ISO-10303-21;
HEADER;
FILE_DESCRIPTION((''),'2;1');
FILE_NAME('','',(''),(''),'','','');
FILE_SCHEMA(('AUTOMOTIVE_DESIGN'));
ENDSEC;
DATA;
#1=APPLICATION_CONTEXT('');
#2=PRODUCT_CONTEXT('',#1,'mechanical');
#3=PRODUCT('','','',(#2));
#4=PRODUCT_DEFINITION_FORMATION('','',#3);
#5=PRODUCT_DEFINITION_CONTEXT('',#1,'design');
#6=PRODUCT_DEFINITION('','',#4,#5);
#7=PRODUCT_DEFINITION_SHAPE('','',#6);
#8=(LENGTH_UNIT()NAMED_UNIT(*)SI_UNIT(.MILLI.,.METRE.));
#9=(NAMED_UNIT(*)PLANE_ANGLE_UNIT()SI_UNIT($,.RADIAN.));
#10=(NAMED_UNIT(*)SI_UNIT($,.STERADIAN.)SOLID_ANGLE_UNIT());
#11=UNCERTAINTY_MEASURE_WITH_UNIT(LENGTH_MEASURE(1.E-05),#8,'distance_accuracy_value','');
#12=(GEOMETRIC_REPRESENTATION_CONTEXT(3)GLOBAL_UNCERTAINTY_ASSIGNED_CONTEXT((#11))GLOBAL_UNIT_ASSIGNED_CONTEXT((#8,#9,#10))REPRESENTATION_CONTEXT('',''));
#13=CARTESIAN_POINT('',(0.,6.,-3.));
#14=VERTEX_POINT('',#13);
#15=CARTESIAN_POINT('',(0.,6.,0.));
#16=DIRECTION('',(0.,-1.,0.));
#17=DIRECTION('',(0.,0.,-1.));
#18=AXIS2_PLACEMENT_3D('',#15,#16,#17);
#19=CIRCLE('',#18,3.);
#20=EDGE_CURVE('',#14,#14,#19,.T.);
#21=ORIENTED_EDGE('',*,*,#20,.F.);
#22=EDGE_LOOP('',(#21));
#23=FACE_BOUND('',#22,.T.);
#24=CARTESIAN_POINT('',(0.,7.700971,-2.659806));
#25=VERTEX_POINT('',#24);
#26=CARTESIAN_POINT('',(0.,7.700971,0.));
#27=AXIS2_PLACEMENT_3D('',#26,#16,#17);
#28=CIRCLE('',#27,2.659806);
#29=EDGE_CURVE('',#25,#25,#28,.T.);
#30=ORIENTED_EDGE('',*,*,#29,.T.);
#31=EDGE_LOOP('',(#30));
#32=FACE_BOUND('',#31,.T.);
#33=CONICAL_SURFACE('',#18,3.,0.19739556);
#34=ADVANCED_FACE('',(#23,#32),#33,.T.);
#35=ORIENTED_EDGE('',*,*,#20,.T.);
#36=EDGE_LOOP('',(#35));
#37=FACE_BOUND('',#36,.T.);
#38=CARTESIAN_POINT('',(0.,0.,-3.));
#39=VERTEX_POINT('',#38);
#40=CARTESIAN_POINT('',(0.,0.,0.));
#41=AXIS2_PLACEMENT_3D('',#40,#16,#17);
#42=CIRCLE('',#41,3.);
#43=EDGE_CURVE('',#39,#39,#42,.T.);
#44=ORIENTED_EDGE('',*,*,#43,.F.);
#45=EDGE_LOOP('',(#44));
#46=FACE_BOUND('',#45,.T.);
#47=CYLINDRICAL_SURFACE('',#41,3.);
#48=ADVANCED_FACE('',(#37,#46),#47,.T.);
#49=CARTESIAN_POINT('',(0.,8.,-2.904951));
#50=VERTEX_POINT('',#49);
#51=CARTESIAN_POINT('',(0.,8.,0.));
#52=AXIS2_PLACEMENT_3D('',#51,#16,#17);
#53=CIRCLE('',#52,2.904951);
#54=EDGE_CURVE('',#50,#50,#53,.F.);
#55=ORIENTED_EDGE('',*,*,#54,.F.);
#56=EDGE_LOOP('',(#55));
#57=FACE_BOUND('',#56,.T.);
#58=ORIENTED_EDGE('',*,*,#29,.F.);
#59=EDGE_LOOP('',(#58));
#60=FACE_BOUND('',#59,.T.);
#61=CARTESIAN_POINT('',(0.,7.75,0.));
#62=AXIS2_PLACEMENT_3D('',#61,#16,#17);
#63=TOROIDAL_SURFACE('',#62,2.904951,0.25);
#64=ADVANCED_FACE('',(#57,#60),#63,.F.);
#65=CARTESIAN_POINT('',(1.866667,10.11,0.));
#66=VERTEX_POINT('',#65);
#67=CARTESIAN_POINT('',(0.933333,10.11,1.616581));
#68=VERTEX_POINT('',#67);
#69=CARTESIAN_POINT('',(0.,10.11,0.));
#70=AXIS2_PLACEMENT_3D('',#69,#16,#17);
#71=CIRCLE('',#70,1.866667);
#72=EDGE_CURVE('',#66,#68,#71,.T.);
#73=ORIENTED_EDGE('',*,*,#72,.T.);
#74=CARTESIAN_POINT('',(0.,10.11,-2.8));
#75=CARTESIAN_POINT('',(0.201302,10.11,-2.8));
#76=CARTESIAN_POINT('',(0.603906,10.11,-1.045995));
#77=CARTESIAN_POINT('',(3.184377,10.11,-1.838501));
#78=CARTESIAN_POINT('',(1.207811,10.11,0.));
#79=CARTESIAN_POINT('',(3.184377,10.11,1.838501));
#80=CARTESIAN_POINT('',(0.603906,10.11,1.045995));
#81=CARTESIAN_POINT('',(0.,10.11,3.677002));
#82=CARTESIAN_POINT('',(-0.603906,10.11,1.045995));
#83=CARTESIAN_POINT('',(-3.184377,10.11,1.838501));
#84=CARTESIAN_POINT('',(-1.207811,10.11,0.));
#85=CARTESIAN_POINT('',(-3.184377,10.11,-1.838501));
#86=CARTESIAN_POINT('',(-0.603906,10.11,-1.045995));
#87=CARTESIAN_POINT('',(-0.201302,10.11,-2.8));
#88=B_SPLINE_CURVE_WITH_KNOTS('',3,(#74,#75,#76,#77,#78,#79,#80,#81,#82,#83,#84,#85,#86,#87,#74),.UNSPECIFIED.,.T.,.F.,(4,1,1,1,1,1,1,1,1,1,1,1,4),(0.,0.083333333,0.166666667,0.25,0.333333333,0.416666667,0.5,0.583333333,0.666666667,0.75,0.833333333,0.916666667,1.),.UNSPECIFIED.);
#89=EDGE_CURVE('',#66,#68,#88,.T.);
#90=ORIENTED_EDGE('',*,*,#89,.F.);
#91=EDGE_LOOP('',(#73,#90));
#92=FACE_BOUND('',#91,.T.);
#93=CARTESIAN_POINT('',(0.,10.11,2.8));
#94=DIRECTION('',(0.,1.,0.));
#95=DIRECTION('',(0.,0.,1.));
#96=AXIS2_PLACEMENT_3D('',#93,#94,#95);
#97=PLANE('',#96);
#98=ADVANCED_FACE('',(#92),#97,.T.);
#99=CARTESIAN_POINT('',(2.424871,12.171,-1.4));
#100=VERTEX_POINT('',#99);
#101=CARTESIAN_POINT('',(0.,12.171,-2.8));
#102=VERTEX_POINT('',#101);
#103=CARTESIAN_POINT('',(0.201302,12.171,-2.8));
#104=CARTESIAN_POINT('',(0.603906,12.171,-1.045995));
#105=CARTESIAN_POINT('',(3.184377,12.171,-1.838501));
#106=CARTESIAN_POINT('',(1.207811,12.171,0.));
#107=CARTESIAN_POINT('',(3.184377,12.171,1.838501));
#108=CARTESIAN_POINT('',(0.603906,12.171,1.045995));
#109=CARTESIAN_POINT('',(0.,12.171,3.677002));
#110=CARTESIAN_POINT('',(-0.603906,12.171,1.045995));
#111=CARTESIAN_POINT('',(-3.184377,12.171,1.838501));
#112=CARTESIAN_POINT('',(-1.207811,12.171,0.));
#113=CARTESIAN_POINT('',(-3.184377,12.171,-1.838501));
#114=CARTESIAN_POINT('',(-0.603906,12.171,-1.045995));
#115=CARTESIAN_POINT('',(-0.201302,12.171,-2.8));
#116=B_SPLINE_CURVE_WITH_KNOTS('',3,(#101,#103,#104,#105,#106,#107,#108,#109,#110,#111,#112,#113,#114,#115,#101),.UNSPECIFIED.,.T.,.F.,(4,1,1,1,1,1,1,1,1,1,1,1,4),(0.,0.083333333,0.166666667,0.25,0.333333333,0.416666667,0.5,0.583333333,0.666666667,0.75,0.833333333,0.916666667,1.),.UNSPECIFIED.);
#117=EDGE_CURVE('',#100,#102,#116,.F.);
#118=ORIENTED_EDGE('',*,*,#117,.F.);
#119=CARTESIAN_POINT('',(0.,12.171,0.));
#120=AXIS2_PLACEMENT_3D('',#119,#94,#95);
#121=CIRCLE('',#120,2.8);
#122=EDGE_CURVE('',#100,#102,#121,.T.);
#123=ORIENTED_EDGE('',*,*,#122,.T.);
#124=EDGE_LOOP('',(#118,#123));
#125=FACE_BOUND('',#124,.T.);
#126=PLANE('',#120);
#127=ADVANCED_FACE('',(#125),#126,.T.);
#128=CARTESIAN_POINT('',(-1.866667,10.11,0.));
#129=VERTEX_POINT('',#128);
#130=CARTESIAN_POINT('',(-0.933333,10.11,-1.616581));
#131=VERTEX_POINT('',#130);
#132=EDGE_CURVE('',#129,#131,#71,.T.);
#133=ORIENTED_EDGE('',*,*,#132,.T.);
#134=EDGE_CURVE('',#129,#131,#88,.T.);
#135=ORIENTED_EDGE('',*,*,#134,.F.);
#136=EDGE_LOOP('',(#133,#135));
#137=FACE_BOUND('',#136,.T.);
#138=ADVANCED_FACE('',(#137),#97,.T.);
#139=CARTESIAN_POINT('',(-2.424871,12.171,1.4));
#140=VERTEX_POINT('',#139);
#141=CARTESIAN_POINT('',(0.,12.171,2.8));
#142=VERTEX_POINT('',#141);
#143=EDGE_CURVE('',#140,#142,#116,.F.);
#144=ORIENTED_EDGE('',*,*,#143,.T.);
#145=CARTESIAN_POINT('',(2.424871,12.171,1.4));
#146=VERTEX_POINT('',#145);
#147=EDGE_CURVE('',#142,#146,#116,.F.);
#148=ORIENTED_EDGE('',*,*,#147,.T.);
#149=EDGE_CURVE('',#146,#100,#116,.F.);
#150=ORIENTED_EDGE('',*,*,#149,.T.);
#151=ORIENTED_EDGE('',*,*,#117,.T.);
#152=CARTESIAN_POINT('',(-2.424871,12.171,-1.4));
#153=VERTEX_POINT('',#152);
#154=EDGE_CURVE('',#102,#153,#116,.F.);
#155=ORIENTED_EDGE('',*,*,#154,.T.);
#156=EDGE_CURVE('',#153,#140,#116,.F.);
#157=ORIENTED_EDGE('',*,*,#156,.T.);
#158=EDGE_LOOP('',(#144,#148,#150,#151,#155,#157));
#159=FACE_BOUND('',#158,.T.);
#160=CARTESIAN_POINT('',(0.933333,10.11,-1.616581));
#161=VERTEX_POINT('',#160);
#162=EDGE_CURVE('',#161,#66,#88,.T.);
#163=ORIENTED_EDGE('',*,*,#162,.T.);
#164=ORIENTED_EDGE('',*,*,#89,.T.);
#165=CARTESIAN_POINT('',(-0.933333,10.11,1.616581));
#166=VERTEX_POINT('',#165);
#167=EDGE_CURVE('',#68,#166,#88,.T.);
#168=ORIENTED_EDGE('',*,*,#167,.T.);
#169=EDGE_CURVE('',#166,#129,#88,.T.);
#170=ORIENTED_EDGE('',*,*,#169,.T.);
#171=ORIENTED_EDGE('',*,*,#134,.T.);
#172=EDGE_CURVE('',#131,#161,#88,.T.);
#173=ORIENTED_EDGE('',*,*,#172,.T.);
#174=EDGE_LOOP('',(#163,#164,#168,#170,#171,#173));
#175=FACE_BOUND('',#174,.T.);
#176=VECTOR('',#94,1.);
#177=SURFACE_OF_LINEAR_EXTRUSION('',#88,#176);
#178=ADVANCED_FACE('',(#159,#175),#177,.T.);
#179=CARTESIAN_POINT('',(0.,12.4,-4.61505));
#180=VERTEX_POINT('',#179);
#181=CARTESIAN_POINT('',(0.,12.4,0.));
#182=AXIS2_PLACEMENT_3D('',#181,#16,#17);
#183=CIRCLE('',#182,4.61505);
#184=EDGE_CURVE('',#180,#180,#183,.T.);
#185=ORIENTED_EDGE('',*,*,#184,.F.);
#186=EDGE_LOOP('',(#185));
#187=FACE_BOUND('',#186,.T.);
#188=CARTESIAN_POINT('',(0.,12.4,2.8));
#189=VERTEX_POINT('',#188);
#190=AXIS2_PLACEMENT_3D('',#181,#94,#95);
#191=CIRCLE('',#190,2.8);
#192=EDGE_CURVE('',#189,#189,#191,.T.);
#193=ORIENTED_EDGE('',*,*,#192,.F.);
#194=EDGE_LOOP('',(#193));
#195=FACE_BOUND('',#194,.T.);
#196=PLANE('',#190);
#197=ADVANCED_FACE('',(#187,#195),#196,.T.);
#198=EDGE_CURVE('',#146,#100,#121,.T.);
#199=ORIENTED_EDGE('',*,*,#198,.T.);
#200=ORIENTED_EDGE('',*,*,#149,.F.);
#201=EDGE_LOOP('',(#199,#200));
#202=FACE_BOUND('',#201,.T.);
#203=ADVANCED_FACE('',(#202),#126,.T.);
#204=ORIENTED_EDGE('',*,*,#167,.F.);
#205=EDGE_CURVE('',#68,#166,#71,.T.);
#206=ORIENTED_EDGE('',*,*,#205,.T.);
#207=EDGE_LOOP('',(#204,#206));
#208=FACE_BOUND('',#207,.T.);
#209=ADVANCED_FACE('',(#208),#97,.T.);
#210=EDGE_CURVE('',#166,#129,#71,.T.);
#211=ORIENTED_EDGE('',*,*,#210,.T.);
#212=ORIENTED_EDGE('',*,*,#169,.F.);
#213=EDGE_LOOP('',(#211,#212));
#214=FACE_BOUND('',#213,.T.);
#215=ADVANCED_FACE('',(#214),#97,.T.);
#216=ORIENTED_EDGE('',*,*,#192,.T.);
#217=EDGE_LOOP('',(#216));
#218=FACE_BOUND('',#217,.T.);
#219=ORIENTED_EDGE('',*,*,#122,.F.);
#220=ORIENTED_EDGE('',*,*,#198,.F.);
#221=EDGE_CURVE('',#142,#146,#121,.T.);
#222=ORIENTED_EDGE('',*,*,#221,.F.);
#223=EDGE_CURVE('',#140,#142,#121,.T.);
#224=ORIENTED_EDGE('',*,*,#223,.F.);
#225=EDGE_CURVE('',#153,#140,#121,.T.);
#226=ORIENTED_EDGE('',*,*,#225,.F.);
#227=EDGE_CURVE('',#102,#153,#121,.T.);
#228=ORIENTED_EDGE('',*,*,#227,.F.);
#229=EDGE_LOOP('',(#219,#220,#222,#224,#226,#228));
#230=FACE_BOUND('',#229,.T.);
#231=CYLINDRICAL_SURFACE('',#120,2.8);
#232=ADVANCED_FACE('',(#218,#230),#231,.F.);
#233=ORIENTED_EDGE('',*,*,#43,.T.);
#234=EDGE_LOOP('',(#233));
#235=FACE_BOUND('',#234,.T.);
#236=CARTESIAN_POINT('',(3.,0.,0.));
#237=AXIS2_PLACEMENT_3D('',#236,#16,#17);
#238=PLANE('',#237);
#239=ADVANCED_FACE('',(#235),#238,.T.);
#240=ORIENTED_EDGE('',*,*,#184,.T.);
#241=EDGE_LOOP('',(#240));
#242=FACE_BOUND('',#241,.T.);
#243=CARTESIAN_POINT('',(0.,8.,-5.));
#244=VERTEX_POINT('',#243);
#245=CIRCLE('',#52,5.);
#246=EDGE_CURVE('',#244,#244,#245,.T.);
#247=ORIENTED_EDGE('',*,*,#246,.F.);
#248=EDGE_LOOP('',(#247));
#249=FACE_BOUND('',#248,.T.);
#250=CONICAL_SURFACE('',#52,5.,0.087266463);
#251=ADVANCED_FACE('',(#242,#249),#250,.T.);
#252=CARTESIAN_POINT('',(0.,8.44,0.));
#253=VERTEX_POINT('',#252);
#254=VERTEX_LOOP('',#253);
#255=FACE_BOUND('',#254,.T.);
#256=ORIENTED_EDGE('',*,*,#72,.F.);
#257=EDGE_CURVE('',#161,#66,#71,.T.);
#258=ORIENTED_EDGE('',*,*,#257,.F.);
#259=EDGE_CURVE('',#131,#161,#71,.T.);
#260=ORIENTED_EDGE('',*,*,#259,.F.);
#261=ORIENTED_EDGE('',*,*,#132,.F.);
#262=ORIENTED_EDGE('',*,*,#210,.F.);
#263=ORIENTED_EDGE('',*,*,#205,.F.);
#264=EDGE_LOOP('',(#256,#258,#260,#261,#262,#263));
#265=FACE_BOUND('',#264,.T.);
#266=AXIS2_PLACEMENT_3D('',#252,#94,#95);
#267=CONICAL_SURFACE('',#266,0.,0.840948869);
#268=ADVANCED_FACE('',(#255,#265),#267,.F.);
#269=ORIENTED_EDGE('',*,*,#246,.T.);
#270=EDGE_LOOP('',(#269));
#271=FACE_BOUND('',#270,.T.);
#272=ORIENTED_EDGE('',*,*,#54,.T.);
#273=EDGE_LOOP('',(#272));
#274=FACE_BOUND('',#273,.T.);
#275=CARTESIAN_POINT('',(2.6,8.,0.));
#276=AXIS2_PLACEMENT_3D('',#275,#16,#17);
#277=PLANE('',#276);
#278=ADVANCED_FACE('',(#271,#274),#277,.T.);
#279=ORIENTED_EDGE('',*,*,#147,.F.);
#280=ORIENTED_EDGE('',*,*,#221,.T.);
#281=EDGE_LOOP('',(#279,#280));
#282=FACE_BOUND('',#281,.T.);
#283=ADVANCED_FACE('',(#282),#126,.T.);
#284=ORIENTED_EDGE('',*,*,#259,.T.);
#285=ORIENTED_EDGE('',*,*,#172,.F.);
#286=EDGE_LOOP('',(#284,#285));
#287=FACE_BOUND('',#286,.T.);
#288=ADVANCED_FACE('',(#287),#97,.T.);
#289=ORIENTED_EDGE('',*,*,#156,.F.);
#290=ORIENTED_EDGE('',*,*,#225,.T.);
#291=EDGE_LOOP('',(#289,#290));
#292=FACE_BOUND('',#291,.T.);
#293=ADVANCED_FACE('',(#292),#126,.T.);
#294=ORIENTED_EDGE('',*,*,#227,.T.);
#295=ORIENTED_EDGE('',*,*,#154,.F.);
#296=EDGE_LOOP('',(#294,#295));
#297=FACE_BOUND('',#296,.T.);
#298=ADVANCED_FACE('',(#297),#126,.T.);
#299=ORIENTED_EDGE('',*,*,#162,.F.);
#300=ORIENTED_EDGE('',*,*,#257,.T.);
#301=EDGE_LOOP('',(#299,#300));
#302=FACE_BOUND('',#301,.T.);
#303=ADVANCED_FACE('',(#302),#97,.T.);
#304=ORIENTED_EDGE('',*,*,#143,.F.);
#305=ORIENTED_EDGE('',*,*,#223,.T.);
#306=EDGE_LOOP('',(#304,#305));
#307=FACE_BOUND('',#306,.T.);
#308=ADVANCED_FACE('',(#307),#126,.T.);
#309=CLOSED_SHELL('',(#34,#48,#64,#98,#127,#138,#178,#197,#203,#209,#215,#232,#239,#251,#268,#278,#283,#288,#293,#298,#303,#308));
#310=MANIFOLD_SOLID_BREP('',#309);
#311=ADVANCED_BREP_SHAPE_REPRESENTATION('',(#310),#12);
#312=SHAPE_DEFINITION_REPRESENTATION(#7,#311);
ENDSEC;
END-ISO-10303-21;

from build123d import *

# Parameters (mm, degrees)
FILLET1_R                 = 0.25
SOCKET_CUT_EXTRUDE1_DEPTH = 2.29
SKETCH3_R                 = 2.8
SOCKET_CUT_EXTRUDE2_DEPTH = 0.229


with BuildPart() as part:
    # Sketch1 → Body-Revolve (revolve)
    with BuildSketch(Plane.XY, mode=Mode.PRIVATE) as body_revolve_sk:
        Polygon((0, 12.4), (4.61504988, 12.4), (5, 8), (3, 8), (2.6, 8), (3, 6), (3, 0), (0, 0), align=None)
    revolve(body_revolve_sk.sketch.rotate(Axis((0, 0, 0), (0, 1, 0)), 90), axis=Axis((0, 0, 0), (0, 1, 0)))

    # Fillet1
    fillet1_edges = [part.edges().sort_by_distance(p)[0] for p in [
        (0, 8, 2.6),
    ]]
    fillet(fillet1_edges, radius=FILLET1_R)

    # Sketch2 → Socket-Cut-Extrude1 (cut)
    with BuildSketch(Plane(origin=(0, 12.4, 0), x_dir=(-1, 0, 0), z_dir=(0, 1, 0))):
        with BuildLine():
            add(Edge.make_bspline(
                [(0, -2.8), (-0.201301877, -2.8), (-0.603905632, -1.045995238), (-3.184377472, -1.838501191), (-1.207811264, 0), (-3.184377472, 1.838501191), (-0.603905632, 1.045995238), (0, 3.677002381), (0.603905632, 1.045995238), (3.184377472, 1.838501191), (1.207811264, 0), (3.184377472, -1.838501191), (0.603905632, -1.045995238), (0.201301877, -2.8), (0, -2.8)],
                knots=[0, 0, 0, 0, 0.083333333, 0.166666667, 0.25, 0.333333333, 0.416666667, 0.5, 0.583333333, 0.666666667, 0.75, 0.833333333, 0.916666667, 1, 1, 1, 1], degree=3))
        make_face()
    extrude(amount=-SOCKET_CUT_EXTRUDE1_DEPTH, mode=Mode.SUBTRACT)

    # Sketch3 → Socket-Cut-Extrude2 (cut)
    with BuildSketch(Plane(origin=(0, 12.4, 0), x_dir=(-1, 0, 0), z_dir=(0, 1, 0))):
        with Locations(Location((0, 0, 0), (0, 0, 90))):
            Circle(SKETCH3_R)
    extrude(amount=-SOCKET_CUT_EXTRUDE2_DEPTH, mode=Mode.SUBTRACT)

    # Sketch4 → Drill-Cut-Revolve (revolve, cut)
    with BuildSketch(Plane.XY, mode=Mode.PRIVATE) as drill_cut_revolve_sk:
        Polygon((0, 10.11), (1.866666667, 10.11), (0, 8.44), align=None)
    revolve(drill_cut_revolve_sk.sketch.rotate(Axis((0, 0, 0), (0, 1, 0)), 270), axis=Axis((0, 0, 0), (0, 1, 0)), mode=Mode.SUBTRACT)


solid = part.part
